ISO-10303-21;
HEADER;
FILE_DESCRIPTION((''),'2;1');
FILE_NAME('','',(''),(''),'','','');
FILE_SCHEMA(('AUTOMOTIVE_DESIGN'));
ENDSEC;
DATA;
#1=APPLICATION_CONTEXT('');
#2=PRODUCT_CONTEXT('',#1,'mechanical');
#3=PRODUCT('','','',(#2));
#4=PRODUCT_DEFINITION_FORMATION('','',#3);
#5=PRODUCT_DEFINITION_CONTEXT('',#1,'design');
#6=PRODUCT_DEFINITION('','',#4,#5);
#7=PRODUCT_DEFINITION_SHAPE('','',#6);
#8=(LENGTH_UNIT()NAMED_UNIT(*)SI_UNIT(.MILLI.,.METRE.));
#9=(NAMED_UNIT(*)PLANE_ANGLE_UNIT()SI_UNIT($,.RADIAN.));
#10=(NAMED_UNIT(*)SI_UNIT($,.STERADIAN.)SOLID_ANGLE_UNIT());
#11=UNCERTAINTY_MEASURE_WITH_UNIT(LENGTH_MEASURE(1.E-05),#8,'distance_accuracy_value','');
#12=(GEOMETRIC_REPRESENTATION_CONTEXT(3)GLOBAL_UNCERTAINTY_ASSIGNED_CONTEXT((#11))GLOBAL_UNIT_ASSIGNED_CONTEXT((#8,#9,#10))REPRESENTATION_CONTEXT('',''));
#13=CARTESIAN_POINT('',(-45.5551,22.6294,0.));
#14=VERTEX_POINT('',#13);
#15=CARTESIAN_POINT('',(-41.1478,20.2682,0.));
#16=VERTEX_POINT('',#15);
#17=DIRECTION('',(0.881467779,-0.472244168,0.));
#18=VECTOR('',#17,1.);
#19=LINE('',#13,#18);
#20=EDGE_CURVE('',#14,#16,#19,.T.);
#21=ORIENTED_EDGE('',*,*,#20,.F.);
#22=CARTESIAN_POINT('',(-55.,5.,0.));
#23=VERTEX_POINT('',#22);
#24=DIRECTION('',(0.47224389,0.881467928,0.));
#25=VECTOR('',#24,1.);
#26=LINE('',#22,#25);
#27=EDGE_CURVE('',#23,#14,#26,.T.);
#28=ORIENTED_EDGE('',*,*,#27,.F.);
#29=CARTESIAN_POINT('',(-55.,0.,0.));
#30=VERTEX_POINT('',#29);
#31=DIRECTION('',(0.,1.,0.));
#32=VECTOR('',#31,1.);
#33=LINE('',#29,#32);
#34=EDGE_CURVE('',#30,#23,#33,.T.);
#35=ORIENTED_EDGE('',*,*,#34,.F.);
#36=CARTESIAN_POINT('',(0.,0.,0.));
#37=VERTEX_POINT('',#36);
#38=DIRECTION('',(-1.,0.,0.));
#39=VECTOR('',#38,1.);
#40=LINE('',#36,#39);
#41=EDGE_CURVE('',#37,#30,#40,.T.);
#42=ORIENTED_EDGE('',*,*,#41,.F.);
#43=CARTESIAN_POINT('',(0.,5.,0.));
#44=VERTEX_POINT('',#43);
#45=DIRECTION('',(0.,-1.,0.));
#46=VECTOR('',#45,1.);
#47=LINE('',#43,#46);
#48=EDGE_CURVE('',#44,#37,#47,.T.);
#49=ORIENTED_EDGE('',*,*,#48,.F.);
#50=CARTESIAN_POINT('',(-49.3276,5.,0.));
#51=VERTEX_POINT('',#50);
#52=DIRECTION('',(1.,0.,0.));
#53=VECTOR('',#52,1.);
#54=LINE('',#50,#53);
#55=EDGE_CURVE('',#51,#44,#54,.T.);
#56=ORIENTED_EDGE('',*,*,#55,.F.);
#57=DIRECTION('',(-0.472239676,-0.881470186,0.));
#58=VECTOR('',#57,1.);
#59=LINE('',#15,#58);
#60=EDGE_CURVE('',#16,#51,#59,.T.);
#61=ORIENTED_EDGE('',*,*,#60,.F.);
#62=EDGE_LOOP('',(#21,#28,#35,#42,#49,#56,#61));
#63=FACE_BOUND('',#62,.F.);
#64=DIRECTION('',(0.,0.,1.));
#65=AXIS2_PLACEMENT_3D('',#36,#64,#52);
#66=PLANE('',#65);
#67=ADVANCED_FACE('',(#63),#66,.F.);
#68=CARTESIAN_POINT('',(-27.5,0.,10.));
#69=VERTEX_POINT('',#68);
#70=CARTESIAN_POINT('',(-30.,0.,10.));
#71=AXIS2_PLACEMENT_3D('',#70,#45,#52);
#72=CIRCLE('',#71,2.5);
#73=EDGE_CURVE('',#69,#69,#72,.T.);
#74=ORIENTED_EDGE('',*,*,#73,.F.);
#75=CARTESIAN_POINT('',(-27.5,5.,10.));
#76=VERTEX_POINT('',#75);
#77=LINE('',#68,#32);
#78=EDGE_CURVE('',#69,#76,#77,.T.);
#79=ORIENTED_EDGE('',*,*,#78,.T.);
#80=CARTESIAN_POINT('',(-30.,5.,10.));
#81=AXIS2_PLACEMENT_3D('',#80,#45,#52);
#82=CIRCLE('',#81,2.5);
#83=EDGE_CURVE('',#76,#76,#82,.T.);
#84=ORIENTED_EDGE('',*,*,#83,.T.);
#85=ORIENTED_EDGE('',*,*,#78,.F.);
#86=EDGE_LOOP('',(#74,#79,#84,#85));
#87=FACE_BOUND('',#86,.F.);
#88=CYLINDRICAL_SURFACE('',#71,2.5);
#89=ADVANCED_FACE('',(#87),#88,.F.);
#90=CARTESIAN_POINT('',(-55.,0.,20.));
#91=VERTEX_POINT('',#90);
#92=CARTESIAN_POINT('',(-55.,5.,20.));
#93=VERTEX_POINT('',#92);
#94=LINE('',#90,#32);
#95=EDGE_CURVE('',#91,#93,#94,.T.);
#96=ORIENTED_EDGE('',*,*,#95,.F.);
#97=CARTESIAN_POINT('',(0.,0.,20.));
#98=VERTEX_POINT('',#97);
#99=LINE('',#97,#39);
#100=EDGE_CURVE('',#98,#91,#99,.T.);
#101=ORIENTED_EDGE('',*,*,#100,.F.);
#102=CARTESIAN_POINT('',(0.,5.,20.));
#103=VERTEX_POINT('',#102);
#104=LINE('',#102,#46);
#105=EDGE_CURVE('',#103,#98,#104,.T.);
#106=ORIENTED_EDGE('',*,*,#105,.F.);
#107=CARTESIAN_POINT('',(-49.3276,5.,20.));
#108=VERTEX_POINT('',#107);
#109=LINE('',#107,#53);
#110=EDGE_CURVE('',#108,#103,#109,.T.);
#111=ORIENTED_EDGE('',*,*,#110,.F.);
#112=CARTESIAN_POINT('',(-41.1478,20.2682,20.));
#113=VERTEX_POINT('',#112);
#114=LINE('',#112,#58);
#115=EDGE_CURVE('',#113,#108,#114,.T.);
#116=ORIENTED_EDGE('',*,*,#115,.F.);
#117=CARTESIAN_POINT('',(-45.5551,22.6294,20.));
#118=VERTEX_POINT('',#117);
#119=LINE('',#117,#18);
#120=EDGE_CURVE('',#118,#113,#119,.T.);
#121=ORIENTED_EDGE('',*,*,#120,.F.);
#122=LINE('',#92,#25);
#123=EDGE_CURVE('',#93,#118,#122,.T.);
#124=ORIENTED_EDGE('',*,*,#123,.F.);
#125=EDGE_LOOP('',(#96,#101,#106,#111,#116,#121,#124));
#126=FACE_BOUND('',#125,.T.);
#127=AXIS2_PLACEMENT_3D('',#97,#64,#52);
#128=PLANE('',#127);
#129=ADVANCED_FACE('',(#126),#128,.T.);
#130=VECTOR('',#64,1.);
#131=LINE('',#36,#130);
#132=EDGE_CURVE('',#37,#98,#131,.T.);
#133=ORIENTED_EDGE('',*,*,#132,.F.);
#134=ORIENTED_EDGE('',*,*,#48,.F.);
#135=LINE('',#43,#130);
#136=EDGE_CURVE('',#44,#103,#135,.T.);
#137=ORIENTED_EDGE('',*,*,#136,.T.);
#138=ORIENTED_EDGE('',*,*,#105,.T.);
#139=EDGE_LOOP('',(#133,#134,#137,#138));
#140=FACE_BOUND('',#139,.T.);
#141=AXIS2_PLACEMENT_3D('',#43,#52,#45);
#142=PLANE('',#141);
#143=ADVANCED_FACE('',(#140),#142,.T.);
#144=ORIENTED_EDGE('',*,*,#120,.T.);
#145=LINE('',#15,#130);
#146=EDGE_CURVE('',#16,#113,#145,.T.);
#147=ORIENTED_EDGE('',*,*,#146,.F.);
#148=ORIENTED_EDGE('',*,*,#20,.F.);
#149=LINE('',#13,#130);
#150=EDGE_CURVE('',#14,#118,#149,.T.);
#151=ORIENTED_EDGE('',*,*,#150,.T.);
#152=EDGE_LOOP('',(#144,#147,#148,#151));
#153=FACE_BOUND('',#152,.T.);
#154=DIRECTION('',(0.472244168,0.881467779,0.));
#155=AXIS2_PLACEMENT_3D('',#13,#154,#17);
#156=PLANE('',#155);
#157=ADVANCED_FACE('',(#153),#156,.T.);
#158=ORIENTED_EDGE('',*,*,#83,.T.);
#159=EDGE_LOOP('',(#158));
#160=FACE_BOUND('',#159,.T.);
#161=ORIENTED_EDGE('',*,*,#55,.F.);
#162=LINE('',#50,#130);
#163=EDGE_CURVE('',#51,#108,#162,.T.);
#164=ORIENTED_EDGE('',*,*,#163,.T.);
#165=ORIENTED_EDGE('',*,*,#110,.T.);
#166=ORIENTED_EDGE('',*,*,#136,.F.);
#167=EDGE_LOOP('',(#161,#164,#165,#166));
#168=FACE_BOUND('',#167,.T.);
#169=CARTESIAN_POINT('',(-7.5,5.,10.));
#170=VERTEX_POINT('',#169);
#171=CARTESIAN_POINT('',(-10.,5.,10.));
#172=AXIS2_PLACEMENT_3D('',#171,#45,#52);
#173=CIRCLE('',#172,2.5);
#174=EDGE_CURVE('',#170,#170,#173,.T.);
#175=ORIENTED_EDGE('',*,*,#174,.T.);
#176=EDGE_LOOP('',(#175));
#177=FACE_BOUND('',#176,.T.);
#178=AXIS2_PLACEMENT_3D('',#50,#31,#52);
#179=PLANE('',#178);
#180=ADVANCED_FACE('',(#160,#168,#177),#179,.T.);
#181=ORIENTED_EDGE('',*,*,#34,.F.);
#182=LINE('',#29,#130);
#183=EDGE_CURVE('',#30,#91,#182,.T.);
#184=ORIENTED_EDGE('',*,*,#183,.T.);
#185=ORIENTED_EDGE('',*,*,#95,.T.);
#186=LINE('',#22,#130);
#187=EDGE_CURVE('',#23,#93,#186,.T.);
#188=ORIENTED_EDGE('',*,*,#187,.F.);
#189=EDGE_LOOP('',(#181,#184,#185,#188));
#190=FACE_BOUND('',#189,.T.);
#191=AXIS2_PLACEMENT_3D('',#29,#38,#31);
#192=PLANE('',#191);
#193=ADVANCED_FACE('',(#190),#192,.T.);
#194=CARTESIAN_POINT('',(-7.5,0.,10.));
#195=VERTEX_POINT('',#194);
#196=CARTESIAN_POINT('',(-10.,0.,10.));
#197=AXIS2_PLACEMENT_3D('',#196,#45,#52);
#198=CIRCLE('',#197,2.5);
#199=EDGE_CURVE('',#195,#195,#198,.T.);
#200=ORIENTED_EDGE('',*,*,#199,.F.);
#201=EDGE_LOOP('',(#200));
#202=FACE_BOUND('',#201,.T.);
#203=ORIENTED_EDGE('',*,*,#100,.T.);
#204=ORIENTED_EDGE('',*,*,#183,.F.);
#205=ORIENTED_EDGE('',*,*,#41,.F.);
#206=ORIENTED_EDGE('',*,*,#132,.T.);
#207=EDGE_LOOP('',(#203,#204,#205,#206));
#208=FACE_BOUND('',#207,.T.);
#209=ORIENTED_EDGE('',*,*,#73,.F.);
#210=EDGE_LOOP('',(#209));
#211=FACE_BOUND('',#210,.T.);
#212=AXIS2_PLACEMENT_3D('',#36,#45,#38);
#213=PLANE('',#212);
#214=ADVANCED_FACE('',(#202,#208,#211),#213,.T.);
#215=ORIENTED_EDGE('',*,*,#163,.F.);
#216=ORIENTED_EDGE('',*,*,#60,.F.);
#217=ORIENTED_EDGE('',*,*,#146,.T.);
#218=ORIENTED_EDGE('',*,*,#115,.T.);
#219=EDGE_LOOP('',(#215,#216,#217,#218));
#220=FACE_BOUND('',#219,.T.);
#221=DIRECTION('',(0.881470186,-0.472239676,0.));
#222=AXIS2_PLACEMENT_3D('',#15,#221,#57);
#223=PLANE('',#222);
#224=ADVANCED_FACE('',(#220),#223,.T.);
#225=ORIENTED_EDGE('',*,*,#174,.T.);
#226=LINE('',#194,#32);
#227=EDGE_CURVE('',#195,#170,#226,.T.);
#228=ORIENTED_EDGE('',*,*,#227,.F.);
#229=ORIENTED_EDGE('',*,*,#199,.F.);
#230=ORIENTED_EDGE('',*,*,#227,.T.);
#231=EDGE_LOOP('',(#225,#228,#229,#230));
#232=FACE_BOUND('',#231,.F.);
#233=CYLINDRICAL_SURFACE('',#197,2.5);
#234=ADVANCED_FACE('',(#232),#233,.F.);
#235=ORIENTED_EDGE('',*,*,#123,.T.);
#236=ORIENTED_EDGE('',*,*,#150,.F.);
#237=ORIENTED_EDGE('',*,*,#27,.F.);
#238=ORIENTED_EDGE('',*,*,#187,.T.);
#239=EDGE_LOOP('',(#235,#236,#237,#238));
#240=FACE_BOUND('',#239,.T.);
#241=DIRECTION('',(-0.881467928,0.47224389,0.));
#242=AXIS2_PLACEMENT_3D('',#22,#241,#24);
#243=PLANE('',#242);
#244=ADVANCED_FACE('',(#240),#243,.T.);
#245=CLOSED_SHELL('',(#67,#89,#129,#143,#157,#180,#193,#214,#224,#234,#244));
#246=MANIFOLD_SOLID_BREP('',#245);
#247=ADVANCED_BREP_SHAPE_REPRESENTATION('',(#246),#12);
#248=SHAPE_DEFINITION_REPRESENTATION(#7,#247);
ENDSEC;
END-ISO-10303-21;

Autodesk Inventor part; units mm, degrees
ref_plane "YZ Plane" through (0, 0, 0) normal (1, 0, 0) x (0, 1, 0)
ref_plane "XZ Plane" through (0, 0, 0) normal (0, 1, 0) x (-1, 0, 0)
ref_plane "XY Plane" through (0, 0, 0) normal (0, 0, 1) x (1, 0, 0)
sketch "スケッチ1" plane through (0, 0, 0) normal (0, 0, 1) x (1, 0, 0)
  line L0 (0, 0) -> (-55, 0)
  line L1 (-55, 0) -> (-55, 5)
  line L2 (-55, 5) -> (-45.5551, 22.6294)
  line L3 (-45.5551, 22.6294) -> (-41.1478, 20.2682)
  line L4 (-41.1478, 20.2682) -> (-49.3276, 5)
  line L5 (-49.3276, 5) -> (0, 5)
  line L6 (0, 5) -> (0, 0)
  dimension "d0" = 61.82
  dimension "d1" = 55
  dimension "d2" = 5
  dimension "d3" = 5
  dimension "d4" = 20
extrude "押し出し1" add sketch "スケッチ1" along normal blind 20
sketch "スケッチ2" plane through (-55, 0, 0) normal (0, -1, 0) x (1, 0, 0)
  line L0 (55, 0) -> (55, 20) projected
  line L1 (55, 10) -> (45, 10) construction
  circle A0 centre (45, 10) radius 2.5
  circle A1 centre (25, 10) radius 2.5
  dimension "d7" = 5
  dimension "d8" = 10
  dimension "d11" = 20
extrude "押し出し2" cut sketch "スケッチ2" against normal up to next
properties part number "防水5"
